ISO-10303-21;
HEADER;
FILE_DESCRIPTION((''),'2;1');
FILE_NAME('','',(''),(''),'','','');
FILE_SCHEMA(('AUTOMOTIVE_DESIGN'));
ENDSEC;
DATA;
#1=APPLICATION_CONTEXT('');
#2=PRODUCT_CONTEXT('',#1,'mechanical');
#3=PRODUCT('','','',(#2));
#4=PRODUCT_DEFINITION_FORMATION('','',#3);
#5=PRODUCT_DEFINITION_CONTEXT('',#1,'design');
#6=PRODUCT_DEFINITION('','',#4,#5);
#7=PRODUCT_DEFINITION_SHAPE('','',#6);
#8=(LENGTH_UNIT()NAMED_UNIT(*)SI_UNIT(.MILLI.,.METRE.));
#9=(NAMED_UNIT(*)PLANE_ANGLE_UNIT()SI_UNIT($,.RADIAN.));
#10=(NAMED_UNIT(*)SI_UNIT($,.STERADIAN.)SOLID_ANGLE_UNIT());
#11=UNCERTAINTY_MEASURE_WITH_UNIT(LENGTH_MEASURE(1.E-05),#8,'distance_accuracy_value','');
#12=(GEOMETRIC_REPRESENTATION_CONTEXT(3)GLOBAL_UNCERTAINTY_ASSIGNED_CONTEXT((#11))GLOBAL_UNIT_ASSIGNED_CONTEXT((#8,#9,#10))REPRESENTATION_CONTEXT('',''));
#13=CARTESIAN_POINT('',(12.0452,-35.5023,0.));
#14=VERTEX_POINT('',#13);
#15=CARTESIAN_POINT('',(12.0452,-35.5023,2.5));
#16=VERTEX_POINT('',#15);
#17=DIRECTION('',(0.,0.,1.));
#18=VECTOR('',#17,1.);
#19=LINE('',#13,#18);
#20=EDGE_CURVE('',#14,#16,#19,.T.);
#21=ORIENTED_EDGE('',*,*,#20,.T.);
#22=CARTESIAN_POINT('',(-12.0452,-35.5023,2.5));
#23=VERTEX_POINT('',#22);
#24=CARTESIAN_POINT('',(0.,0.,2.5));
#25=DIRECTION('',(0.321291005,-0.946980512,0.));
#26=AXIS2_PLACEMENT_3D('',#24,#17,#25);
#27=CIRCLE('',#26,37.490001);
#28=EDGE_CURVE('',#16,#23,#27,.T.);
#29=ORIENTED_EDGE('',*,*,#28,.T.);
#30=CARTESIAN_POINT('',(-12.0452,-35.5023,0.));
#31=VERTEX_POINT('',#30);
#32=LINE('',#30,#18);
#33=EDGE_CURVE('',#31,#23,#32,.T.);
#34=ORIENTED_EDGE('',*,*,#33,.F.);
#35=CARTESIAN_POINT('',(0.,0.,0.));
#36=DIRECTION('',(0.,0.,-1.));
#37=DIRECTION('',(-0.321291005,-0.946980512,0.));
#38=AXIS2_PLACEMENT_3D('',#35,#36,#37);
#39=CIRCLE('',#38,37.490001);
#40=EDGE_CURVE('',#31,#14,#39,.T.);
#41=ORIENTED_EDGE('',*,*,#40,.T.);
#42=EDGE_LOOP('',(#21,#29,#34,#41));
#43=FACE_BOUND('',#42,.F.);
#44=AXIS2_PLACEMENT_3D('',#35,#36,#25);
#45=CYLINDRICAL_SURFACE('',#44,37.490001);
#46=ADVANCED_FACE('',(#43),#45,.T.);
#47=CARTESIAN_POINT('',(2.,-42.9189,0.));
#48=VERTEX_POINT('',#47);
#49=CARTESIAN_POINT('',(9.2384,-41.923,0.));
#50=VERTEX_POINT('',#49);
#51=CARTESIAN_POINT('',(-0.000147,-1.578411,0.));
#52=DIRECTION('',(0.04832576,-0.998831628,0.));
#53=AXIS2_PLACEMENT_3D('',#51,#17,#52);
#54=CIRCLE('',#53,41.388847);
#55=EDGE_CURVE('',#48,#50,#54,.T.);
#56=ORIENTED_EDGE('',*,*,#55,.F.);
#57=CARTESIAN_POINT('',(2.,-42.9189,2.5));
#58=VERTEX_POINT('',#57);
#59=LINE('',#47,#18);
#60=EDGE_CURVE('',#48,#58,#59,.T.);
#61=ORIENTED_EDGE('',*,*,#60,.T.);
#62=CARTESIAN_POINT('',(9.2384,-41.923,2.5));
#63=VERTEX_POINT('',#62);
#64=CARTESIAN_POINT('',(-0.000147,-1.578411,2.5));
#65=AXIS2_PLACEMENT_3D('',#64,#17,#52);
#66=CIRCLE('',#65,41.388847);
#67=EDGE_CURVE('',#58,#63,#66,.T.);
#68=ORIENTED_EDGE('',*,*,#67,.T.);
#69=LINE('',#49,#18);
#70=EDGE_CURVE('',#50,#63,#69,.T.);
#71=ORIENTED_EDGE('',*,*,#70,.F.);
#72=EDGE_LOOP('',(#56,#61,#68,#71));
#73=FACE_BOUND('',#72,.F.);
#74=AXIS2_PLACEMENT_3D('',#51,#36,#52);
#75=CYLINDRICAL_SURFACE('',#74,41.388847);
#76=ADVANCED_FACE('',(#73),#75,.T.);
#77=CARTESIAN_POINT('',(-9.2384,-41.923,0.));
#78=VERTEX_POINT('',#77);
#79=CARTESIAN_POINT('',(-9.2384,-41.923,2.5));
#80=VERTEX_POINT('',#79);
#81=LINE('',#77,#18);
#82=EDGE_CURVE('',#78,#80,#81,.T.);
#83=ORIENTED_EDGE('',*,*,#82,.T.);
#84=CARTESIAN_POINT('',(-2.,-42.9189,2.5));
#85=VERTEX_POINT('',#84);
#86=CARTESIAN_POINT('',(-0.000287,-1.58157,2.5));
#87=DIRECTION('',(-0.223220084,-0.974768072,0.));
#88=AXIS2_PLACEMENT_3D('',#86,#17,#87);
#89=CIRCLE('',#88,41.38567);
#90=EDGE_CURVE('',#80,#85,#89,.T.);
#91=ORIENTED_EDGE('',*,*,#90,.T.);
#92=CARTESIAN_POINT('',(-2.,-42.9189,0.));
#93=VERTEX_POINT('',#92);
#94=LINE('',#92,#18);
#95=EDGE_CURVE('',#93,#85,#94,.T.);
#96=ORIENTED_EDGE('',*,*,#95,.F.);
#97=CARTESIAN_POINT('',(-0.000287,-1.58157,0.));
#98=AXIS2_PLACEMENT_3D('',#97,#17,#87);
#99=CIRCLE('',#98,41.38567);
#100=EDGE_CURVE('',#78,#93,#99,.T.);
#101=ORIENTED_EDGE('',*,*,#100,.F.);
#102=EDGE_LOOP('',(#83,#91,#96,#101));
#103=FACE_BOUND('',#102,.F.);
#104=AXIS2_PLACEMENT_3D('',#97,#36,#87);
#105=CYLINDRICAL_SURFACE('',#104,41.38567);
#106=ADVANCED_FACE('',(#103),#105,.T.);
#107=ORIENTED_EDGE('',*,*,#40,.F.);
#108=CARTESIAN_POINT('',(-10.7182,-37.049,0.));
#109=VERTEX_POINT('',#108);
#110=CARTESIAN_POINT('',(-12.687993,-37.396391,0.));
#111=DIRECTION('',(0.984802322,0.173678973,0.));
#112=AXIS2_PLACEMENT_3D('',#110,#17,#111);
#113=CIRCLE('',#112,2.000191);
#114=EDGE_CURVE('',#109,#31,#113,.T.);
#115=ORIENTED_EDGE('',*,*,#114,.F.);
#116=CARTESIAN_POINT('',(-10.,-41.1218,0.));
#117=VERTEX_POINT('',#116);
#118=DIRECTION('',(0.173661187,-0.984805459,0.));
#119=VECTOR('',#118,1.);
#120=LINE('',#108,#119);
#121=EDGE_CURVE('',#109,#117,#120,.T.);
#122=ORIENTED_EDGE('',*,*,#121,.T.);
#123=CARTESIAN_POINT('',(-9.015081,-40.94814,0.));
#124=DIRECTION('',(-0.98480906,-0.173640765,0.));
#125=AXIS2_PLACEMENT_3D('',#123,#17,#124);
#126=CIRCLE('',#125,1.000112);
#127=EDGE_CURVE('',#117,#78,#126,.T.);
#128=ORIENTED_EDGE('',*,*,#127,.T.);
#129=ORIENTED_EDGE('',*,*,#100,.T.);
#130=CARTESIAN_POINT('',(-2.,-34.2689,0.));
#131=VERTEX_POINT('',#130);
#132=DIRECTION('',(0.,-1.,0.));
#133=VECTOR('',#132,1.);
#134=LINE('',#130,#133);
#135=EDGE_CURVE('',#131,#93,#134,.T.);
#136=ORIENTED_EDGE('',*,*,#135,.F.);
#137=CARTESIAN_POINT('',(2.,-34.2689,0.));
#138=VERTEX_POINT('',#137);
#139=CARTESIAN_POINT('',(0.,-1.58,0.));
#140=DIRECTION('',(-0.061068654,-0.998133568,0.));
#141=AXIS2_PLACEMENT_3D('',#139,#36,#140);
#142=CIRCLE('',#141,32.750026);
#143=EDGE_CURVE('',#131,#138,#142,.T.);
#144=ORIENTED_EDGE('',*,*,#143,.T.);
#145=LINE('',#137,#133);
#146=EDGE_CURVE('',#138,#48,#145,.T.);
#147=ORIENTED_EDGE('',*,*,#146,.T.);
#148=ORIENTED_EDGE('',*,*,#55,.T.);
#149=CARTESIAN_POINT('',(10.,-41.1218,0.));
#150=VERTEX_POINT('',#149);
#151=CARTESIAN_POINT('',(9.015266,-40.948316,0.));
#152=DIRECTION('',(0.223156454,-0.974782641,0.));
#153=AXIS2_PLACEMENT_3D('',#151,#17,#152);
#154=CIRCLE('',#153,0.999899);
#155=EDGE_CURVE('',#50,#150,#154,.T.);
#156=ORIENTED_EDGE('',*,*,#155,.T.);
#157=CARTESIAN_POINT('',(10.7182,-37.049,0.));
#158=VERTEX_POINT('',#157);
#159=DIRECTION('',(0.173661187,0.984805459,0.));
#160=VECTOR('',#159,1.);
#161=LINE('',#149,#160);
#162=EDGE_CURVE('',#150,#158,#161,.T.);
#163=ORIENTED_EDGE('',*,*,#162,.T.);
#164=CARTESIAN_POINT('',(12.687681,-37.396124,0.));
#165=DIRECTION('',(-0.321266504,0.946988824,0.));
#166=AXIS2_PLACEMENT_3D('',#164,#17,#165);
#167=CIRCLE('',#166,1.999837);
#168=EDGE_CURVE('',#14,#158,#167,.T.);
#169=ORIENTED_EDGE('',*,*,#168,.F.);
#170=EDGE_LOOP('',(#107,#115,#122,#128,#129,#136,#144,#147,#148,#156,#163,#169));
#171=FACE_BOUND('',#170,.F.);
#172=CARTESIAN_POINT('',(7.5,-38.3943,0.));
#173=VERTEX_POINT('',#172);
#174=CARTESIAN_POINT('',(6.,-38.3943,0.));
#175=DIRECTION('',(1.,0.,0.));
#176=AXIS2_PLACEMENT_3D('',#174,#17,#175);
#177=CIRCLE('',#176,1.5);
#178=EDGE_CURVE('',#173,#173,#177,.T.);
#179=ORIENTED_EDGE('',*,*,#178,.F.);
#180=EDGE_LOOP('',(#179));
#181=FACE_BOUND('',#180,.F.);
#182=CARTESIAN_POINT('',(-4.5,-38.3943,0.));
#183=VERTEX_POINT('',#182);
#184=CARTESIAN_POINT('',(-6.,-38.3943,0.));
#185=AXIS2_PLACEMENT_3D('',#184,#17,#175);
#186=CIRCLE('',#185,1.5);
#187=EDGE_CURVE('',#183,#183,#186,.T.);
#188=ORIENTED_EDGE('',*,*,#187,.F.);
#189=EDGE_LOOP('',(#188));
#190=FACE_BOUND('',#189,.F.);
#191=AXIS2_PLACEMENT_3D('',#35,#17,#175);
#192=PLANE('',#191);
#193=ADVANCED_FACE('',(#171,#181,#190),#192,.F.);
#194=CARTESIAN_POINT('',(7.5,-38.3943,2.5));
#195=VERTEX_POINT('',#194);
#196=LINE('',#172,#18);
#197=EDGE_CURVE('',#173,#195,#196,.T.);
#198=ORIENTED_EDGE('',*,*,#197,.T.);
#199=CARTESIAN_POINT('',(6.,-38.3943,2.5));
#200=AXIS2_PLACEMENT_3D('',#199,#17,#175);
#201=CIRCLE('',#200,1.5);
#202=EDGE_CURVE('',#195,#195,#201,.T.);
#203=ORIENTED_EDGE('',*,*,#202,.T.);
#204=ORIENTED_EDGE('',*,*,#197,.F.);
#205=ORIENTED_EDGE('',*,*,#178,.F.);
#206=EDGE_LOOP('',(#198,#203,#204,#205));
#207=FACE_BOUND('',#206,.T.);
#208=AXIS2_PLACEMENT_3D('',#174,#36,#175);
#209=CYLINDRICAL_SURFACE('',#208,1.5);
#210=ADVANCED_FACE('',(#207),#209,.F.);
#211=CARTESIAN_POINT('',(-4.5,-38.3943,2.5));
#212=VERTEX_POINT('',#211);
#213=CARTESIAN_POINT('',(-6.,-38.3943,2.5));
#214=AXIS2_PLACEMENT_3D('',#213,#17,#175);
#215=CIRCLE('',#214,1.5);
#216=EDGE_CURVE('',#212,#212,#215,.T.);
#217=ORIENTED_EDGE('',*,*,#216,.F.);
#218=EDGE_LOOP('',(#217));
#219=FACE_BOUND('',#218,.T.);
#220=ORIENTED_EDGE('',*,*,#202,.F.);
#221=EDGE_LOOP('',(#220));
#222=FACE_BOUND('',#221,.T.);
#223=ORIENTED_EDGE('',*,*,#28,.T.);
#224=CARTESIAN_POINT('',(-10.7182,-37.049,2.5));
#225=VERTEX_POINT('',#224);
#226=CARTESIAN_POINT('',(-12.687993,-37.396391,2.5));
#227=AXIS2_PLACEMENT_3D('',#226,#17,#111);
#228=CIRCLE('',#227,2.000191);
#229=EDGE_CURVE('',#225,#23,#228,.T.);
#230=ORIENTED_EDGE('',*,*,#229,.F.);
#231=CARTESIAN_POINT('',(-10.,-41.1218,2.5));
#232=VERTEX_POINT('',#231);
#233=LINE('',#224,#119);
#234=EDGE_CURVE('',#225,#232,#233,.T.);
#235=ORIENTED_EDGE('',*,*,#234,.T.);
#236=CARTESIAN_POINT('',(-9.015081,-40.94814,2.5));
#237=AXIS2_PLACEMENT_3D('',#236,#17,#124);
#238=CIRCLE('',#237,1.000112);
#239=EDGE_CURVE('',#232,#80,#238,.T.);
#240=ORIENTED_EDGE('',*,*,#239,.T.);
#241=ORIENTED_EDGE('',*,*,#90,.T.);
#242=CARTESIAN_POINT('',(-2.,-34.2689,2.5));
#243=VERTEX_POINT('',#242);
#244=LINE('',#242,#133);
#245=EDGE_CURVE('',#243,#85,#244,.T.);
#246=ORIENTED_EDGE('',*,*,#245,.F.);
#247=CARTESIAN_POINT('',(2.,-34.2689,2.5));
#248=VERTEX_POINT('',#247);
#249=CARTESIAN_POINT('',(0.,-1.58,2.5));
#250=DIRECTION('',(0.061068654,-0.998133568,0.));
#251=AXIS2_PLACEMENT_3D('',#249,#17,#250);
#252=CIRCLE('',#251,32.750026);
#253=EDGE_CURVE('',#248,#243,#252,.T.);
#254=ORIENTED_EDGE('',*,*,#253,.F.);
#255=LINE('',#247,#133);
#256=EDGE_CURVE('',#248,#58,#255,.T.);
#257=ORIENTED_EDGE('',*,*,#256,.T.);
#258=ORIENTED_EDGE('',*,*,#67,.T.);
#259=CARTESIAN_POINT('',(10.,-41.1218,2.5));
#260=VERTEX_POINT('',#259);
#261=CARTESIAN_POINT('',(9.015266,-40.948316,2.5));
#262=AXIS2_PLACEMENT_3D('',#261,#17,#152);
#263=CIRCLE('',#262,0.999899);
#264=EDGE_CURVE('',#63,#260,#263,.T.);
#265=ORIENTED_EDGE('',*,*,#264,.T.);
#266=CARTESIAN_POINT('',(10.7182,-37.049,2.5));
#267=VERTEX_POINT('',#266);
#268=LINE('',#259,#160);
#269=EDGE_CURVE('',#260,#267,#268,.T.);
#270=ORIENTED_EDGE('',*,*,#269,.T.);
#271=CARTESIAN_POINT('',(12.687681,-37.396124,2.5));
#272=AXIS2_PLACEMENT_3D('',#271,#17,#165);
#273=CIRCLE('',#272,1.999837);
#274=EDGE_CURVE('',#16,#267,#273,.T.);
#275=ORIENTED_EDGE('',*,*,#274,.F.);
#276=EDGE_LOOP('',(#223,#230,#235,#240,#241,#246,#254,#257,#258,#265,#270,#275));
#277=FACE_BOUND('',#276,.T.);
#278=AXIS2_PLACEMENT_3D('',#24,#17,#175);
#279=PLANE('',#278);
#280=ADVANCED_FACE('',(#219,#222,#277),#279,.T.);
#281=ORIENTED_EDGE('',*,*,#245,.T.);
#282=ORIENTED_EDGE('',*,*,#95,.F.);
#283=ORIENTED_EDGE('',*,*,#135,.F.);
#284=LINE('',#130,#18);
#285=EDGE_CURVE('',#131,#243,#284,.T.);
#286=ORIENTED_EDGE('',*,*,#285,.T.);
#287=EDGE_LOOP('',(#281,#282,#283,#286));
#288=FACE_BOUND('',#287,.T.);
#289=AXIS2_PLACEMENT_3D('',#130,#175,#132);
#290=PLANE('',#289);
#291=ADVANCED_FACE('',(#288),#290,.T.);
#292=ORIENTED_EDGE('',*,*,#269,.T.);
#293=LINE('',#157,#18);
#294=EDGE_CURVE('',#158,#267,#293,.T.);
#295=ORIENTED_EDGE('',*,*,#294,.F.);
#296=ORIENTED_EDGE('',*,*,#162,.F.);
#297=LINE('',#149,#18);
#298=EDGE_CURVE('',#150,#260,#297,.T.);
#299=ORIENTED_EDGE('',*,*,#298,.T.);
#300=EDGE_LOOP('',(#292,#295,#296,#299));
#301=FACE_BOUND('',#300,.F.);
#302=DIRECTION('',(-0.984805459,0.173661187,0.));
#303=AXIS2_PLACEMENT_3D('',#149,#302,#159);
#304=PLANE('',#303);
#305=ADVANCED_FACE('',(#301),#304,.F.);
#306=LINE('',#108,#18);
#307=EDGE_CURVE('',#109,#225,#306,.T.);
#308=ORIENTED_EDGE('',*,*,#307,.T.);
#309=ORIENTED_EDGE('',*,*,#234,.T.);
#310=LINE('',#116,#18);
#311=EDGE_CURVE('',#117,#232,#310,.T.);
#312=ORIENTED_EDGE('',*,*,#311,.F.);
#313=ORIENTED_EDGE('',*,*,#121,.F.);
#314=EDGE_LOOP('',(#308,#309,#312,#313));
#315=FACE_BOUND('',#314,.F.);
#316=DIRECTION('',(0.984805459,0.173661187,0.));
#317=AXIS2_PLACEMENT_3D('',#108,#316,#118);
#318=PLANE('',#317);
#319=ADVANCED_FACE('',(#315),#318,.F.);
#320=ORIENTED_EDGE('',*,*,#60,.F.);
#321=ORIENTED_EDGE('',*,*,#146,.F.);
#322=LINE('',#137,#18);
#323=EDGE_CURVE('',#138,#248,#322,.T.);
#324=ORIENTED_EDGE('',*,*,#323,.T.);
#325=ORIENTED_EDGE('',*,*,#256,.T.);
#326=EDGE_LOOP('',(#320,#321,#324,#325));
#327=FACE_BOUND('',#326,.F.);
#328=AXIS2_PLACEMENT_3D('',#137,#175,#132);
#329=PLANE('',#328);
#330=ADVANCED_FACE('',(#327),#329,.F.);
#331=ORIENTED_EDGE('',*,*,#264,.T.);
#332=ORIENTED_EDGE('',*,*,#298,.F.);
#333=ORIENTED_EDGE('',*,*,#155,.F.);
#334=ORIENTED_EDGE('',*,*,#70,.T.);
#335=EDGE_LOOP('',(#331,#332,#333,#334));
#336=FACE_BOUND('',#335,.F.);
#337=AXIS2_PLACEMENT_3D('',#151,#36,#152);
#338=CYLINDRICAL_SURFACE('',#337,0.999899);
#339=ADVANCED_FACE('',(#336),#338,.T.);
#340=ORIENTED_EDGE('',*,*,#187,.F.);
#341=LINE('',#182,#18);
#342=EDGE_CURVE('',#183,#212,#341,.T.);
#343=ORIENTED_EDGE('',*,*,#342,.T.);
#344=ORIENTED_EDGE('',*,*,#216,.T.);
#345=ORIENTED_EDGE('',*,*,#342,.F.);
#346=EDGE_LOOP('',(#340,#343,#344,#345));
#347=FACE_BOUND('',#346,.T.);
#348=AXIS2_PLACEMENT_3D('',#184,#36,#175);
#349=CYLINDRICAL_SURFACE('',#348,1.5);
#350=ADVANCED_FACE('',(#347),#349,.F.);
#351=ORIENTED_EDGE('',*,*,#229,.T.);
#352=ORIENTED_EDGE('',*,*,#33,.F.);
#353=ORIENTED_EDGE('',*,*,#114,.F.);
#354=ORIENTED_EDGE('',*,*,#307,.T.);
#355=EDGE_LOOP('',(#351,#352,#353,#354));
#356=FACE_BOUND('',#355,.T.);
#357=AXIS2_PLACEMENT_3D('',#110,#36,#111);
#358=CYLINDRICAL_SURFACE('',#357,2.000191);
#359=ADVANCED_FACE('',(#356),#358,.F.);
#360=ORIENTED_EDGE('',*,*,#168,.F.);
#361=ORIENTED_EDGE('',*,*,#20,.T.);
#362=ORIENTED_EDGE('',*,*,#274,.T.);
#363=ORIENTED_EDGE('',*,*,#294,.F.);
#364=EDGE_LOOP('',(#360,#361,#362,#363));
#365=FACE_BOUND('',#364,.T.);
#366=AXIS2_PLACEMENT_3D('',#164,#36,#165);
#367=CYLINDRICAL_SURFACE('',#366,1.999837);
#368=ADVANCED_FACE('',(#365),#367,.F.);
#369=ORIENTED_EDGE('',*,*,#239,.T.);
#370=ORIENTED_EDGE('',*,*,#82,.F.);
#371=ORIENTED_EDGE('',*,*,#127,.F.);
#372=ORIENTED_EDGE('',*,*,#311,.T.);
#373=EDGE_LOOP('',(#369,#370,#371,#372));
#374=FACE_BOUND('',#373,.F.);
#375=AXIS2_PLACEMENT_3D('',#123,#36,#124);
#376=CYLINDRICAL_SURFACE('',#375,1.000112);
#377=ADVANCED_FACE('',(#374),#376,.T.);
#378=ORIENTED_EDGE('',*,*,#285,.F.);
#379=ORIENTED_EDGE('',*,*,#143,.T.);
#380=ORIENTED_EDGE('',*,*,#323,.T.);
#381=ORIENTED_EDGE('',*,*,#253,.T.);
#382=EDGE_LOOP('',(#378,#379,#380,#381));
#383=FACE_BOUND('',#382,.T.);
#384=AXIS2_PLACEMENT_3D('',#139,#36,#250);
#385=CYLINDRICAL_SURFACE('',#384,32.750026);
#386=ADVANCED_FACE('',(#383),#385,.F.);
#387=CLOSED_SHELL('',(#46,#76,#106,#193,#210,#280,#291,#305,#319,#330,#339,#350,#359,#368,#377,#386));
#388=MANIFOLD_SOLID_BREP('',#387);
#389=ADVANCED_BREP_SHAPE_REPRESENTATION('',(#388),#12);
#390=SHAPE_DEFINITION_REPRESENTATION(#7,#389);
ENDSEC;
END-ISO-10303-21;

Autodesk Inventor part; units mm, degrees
ref_plane "YZ Plane" through (0, 0, 0) normal (1, 0, 0) x (0, 1, 0)
ref_plane "XZ Plane" through (0, 0, 0) normal (0, 1, 0) x (-1, 0, 0)
sketch "草图1" plane through (0, 0, 0) normal (0, 0, 1) x (1, 0, 0)
  arc A0 (2, -34.2689) -> (-2, -34.2689) centre (0, -1.58) ccw
  line L0 (0, 47.3657) -> (0, -51.0943) projected
  line L1 (-46.62, 0) -> (46.62, 0) projected
  line L2 (-2, -34.2689) -> (-2, -42.9189)
  line L3 (-2, -6.5402) -> (-2, -13.29) construction
  line L4 (-2.7947, 37.49) -> (3.6722, 37.49) construction
  arc A1 (12.0452, -35.5023) -> (-12.0452, -35.5023) centre (0, 0) ccw
  arc A2 (-9.2384, -41.923) -> (-2, -42.9189) centre (0, -1.58) ccw
  arc A3 (-10, -41.1218) -> (-9.2384, -41.923) centre (-9.0152, -40.9482) ccw
  arc A4 (-10.7182, -37.049) -> (-12.0452, -35.5023) centre (-12.6878, -37.3963) ccw
  line L5 (2, -34.2689) -> (2, -42.9189)
  line L6 (2, -6.5402) -> (2, -13.29) construction
  arc A5 (2, -42.9189) -> (9.2384, -41.923) centre (0, -1.58) ccw
  arc A6 (9.2384, -41.923) -> (10, -41.1218) centre (9.0152, -40.9482) ccw
  circle A7 centre (-6, -38.3943) radius 1.5
  circle A8 centre (6, -38.3943) radius 1.5
  line L7 (-10.7182, -37.049) -> (-10, -41.1218)
  arc A9 (12.0452, -35.5023) -> (10.7182, -37.049) centre (12.6878, -37.3963) ccw
  line L8 (10, -41.1218) -> (10.7182, -37.049)
  arc A10 (-4.8129, -38.5682) -> (5.574, -38.4612) centre (0, -1.58) ccw construction
  dimension "d0" = 65.5
  dimension "d1" = 8.65
  dimension "d6" = 2
  dimension "d8" = 1.58
  dimension "d9" = 1
  dimension "d10" = 2
  dimension "d12" = 3
  dimension "d13" = 3
  dimension "d43" = 10
  dimension "d44" = 37.3
  dimension "d45" = 12
  dimension "d46" = 20
  dimension "d47" = 6.32
extrude "轴承体" add sketch "草图1" along normal blind 2.5 contours A0 L1 A1 A9 L8 A6 A5 L5 | A0 L0 A1 L1 | A0 L1 A1 L0 | A0 L2 A2 A3 L7 A4 A1 L1
ref_plane "Work Plane1" through (0, -1.58, 0) normal (1, 0, 0) x (0, 0, 1)
equation "\"d0\" = ND"
equation "\"d1\" = SRB2"
equation "\"d6\" = 0.5 * B1"
equation "\"d8\" = C1"
equation "\"d9\" = R3"
equation "\"d10\" = R2"
equation "\"d12\" = SD5"
equation "\"d13\" = SD5"
equation "\"d44\" = R1"
equation "\"d45\" = B2"
equation "\"d46\" = L"
equation "\"d47\" = SRB1"
equation "\"d2\" = SD"
equation "\"SD\" = 2.5"
equation "\"SRB1\" = 6.32"
equation "\"ND\" = 65.5"
equation "\"SRB2\" = 8.65"
equation "\"SD5\" = 3"
equation "\"B1\" = 4"
equation "\"R2\" = 2"
equation "\"R3\" = 1"
equation "\"B2\" = 12"
equation "\"R1\" = 37.3"
equation "\"C1\" = 1.58"
equation "\"SD3\" = 65.5"
equation "\"WDMAX\" = 72"
equation "\"H1\" = 0"
properties part number "弹性挡圈GB 894.1-86 - 70" material "钢，软"
